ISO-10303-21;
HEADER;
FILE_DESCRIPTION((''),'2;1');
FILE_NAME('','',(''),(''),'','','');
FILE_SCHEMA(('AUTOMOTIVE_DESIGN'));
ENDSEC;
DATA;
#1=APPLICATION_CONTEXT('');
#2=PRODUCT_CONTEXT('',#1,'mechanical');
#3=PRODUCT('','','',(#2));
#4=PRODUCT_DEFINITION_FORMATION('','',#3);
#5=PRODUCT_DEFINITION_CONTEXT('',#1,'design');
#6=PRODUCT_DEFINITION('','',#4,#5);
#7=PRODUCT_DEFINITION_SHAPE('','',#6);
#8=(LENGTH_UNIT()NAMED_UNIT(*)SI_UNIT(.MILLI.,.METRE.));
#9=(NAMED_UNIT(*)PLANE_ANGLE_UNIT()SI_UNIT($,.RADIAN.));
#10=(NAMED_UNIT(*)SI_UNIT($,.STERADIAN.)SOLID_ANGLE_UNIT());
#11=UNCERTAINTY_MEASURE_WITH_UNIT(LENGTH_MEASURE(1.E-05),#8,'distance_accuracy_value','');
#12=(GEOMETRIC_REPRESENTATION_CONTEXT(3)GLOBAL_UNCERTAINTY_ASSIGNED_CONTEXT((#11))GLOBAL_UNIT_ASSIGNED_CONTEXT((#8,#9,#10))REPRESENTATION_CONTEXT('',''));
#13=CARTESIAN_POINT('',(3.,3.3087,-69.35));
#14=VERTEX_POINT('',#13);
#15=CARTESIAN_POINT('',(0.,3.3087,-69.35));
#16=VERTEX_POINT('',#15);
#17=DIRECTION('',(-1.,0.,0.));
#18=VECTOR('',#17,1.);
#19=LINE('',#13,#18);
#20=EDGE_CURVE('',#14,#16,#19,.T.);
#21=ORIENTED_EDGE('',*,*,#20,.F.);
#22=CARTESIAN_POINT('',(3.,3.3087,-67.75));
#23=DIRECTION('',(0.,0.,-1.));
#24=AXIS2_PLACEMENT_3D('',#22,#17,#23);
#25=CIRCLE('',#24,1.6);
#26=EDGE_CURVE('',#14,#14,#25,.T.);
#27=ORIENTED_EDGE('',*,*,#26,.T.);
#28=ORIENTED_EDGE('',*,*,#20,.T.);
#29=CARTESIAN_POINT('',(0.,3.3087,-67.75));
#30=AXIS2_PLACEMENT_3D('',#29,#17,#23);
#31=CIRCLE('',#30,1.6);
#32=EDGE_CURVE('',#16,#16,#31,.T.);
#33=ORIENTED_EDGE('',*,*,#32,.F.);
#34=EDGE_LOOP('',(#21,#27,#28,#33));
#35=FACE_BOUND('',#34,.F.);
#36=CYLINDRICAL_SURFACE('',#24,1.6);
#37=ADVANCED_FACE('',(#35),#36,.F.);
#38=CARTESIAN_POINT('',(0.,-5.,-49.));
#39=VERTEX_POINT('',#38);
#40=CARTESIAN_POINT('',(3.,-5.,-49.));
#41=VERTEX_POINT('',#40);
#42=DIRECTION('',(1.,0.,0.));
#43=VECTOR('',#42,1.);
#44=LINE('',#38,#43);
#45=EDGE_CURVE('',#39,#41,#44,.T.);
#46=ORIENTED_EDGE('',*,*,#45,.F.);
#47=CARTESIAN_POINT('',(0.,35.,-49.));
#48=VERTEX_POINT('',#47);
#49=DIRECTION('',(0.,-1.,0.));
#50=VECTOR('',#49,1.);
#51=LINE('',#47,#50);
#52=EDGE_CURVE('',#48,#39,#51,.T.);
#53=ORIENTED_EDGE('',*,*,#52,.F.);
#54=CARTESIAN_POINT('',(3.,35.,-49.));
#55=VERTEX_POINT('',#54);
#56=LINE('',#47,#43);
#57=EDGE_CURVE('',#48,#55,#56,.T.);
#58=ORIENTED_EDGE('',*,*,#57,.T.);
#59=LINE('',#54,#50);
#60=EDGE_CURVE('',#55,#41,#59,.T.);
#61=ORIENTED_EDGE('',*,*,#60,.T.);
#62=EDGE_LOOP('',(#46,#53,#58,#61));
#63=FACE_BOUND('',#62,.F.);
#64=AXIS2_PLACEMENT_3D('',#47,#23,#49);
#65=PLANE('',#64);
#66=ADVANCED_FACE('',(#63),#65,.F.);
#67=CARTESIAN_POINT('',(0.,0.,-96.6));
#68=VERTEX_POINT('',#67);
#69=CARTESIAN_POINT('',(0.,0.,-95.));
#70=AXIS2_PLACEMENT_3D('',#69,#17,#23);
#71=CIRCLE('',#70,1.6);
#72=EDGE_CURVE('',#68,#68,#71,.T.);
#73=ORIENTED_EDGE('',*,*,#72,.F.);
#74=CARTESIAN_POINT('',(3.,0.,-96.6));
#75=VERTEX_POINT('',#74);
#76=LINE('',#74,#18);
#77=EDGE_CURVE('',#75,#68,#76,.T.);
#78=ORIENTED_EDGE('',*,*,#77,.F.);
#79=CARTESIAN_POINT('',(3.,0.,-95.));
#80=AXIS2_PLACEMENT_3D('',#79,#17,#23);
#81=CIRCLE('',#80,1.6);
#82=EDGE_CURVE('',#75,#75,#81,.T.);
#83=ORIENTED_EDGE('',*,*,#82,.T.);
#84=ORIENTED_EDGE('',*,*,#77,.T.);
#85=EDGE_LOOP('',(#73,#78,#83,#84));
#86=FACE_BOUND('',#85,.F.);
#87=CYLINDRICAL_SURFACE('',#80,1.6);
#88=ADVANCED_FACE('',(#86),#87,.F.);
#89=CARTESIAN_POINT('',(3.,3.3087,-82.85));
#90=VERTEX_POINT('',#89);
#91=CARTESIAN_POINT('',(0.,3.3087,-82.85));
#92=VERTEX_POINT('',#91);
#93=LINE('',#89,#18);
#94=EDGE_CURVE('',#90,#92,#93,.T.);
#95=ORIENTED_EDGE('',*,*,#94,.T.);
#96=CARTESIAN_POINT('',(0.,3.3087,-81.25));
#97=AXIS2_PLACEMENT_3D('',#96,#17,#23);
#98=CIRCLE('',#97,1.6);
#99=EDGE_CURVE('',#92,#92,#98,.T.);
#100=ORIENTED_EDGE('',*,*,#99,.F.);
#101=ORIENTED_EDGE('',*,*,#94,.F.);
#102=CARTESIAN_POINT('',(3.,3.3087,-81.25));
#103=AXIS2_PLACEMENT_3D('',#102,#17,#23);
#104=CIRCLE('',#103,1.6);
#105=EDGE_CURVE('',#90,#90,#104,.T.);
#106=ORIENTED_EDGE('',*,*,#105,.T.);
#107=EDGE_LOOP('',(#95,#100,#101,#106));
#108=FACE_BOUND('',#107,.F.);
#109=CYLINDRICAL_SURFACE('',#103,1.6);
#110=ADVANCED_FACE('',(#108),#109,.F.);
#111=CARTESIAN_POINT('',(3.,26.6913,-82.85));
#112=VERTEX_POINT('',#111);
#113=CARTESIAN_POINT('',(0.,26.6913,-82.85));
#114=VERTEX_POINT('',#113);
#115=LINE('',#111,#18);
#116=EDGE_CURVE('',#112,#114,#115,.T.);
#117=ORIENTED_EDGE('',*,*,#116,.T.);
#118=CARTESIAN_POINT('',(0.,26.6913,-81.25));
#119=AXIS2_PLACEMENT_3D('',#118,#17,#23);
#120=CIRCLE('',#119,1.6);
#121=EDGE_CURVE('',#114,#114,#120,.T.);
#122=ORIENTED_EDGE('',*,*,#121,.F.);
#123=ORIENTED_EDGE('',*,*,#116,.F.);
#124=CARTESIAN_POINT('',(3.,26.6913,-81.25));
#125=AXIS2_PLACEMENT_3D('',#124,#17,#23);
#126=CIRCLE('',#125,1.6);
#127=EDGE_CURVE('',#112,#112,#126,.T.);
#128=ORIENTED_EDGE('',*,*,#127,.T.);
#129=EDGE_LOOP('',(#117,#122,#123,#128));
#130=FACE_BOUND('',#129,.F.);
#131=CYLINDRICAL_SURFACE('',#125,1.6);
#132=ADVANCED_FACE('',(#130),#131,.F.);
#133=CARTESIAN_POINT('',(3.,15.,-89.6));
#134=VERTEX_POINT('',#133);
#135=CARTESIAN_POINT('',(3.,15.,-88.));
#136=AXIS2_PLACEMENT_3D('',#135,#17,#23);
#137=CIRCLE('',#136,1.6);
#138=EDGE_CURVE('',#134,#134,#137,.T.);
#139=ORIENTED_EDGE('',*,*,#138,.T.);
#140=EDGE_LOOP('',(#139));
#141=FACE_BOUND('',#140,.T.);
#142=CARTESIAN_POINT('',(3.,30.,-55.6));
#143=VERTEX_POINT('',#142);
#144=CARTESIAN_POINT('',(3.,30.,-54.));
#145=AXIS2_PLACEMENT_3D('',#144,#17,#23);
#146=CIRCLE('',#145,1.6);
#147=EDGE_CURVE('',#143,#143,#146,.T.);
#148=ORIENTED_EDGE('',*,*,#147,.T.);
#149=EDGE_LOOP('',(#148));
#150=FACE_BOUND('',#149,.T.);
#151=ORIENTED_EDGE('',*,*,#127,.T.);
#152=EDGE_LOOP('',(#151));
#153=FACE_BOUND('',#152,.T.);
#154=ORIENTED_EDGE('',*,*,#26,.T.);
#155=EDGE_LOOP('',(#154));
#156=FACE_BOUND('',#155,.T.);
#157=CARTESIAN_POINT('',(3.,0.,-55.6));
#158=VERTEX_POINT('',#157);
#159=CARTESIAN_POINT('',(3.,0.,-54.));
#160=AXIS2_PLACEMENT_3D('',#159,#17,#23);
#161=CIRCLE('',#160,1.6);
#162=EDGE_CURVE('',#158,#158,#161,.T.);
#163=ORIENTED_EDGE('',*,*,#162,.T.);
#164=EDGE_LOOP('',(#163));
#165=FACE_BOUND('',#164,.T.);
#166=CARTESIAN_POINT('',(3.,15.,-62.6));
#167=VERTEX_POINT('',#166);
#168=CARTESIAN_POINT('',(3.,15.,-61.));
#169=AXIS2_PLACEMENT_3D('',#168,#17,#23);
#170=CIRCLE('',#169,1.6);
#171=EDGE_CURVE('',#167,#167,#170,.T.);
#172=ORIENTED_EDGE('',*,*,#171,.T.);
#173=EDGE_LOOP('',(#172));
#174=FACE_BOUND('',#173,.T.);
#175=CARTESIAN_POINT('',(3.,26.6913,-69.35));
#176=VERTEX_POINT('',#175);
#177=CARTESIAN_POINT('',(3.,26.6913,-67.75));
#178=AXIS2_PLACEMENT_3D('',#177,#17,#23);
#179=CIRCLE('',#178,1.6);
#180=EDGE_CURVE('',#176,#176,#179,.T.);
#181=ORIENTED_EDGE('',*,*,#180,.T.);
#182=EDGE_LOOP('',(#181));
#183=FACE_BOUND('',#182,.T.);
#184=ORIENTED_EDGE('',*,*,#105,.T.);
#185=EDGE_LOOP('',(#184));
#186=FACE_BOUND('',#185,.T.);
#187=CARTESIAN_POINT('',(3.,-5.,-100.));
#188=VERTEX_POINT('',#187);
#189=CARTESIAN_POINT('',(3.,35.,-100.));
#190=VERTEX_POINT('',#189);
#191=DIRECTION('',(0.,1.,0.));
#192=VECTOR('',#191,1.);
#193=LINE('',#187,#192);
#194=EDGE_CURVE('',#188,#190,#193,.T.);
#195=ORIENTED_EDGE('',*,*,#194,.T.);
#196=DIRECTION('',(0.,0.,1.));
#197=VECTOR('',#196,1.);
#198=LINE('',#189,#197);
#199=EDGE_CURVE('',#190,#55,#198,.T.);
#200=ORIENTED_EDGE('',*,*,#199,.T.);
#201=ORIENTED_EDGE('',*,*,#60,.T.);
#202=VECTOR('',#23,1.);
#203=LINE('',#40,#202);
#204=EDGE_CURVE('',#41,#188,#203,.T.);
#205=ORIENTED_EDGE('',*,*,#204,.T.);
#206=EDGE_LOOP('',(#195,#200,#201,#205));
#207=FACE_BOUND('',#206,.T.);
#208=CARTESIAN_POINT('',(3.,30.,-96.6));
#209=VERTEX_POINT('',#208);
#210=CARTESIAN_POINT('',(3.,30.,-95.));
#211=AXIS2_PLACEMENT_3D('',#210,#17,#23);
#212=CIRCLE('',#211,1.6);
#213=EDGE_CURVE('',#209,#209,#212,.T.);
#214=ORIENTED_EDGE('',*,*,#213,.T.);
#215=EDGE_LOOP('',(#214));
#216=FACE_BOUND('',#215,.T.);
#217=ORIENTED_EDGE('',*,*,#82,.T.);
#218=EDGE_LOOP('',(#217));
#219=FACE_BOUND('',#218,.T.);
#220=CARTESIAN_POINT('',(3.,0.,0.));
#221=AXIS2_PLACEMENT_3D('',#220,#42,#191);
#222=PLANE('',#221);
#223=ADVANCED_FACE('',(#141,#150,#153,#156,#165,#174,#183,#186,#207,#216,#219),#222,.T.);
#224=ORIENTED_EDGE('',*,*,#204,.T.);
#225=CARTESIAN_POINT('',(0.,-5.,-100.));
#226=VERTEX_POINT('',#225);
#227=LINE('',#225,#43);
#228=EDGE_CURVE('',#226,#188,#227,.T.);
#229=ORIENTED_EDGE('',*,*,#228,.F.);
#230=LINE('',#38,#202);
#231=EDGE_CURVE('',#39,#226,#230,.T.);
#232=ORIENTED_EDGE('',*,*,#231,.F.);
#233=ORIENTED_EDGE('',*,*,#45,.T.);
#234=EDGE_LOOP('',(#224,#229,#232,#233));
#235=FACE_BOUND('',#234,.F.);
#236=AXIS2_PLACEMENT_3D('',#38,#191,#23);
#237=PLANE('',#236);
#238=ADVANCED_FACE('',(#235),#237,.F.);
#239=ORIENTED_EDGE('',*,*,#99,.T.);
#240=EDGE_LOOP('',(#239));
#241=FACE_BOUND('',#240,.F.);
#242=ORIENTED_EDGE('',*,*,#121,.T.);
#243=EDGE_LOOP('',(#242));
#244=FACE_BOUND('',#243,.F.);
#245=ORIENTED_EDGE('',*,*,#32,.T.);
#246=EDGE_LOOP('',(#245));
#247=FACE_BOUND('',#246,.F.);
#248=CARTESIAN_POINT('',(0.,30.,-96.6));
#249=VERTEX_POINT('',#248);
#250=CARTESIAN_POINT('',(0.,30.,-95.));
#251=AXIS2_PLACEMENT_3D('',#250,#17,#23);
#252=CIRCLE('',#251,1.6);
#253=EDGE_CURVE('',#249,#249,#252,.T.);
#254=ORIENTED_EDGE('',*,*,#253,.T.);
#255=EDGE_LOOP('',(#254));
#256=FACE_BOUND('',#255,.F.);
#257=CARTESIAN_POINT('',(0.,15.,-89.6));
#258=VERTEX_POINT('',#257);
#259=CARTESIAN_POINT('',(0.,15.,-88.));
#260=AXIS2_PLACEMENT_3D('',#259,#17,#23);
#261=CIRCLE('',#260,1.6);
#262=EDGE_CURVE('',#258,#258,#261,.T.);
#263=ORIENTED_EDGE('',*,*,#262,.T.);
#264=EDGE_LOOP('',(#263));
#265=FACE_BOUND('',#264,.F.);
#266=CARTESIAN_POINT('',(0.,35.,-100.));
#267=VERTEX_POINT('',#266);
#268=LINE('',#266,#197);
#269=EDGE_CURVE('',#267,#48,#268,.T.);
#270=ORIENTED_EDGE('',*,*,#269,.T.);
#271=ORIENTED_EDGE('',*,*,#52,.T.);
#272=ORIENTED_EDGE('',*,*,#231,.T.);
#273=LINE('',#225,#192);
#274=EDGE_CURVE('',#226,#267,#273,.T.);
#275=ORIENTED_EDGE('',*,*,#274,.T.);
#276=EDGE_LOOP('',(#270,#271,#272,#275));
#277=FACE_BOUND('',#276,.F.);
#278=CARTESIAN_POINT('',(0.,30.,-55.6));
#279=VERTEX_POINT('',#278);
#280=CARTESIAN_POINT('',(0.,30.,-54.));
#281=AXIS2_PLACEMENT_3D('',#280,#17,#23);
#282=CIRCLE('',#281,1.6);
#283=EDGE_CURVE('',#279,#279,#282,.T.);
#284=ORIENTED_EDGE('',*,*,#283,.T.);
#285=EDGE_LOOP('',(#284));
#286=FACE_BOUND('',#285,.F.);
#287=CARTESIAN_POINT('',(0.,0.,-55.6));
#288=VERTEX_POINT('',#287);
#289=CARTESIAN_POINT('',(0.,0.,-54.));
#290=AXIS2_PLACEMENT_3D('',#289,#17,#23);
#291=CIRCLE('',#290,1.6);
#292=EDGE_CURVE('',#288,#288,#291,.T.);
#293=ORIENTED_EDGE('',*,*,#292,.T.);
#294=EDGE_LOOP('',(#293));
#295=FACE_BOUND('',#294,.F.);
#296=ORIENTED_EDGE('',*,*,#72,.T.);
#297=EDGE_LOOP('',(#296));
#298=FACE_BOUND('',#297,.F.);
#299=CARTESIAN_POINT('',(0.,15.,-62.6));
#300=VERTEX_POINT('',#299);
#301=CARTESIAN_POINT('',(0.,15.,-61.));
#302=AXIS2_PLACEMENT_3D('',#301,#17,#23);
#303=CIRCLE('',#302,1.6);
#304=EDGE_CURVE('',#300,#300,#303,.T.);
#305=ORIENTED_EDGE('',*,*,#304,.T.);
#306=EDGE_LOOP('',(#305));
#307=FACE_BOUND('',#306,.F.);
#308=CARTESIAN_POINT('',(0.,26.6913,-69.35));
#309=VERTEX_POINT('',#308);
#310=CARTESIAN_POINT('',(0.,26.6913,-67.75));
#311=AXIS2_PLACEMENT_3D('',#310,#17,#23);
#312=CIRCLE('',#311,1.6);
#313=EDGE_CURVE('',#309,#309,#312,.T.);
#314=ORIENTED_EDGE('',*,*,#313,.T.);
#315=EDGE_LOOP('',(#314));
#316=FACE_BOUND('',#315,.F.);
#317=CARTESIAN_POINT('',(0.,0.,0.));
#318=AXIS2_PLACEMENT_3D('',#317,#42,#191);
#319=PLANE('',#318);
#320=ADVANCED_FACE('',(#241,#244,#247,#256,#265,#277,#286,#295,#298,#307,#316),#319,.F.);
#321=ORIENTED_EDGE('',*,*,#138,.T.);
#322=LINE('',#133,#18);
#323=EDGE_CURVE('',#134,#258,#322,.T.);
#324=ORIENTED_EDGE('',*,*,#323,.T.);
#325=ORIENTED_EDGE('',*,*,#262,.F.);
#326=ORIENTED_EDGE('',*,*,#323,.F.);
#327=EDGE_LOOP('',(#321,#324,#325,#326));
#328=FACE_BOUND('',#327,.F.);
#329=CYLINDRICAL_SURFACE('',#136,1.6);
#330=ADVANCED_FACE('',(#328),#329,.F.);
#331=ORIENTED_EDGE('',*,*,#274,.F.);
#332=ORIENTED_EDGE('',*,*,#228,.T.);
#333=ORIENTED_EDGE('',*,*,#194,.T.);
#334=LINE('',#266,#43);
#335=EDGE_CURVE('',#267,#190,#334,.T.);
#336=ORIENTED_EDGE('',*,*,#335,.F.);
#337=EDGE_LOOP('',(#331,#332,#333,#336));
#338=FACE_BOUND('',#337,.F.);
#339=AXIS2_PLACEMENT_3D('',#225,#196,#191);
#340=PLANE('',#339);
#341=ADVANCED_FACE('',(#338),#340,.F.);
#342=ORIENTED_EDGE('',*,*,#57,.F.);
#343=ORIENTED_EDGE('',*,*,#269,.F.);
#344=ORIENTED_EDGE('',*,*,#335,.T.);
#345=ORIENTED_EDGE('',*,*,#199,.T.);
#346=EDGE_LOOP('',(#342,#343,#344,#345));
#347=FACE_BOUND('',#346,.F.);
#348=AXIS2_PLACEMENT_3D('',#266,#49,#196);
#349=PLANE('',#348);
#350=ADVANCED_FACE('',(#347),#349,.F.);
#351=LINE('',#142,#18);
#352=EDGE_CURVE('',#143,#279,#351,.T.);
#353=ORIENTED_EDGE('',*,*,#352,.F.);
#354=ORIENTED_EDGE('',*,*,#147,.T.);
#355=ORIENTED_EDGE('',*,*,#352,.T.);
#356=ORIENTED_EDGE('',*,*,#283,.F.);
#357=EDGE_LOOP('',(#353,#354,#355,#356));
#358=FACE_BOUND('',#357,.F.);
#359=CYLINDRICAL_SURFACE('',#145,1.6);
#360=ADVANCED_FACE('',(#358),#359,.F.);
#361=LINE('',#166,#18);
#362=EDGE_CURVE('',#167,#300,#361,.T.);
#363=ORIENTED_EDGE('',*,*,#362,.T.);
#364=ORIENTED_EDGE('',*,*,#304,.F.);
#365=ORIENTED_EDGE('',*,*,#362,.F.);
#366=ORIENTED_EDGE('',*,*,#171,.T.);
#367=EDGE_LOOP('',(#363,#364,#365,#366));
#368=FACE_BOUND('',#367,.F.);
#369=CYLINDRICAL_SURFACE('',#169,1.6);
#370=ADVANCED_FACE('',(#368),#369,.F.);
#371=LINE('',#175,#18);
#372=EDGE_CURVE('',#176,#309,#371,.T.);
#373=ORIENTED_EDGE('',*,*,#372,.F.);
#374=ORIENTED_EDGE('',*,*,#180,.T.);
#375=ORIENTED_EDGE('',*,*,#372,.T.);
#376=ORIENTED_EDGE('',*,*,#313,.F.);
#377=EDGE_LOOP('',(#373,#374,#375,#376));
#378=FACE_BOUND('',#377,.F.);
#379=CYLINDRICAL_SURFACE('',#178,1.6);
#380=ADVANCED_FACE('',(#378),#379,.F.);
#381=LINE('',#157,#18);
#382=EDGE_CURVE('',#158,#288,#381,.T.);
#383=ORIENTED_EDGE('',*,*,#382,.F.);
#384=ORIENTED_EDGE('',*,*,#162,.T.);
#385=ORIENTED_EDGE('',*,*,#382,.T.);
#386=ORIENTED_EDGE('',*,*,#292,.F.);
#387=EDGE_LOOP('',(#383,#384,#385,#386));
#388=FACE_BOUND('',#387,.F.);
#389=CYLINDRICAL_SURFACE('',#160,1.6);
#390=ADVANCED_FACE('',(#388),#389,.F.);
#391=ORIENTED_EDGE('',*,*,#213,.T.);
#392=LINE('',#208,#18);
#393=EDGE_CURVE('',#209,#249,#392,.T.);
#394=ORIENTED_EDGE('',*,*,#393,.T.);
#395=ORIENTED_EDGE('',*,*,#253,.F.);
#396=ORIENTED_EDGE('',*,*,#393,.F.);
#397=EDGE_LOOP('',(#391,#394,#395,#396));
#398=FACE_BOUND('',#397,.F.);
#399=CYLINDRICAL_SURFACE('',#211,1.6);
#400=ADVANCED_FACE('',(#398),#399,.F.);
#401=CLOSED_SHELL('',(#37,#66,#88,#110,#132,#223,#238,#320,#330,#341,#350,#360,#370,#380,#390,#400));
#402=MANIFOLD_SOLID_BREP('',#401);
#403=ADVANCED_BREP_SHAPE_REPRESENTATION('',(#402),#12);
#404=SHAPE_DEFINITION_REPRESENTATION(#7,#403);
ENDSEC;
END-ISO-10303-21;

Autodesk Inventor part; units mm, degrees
ref_plane "YZ Plane" through (0, 0, 0) normal (1, 0, 0) x (0, 1, 0)
ref_plane "XZ Plane" through (0, 0, 0) normal (0, 1, 0) x (-1, 0, 0)
ref_plane "XY Plane" through (0, 0, 0) normal (0, 0, 1) x (1, 0, 0)
sketch "スケッチ1" plane through (0, 0, 0) normal (1, 0, 0) x (0, 1, 0)
  line L0 (35, -49) -> (-5, -49)
  line L1 (-5, -49) -> (-5, -100)
  line L2 (-5, -100) -> (35, -100)
  line L3 (35, -100) -> (35, -49)
  dimension "d1" = 40
  dimension "d2" = 51
extrude "押し出し1" add sketch "スケッチ1" along normal blind 3
sketch "スケッチ4" plane through (3, 0, 0) normal (1, 0, 0) x (0, 0, -1)
  line L0 (54, 30) -> (95, 30)
  line L1 (95, 30) -> (95, 0)
  line L2 (95, 0) -> (54, 0)
  line L3 (54, 0) -> (54, 30)
  line L4 (100, 35) -> (49, 35) projected
  line L5 (100, -5) -> (100, 35) projected
  point P0 (0, 0)
  dimension "d29" = 41
  dimension "d30" = 30
  dimension "d31" = 5
  dimension "d32" = 5
hole "穴2" at (3, 30, -54) at (3, 0, -54) at (3, 0, -95) at (3, 30, -95) direction (-1, 0, 0) diameter 3.2 end through all
sketch "スケッチ6" plane through (3, 0, 0) normal (1, 0, 0) x (0, 0, -1)
  line L0 (49, 35) -> (49, -5) projected
  line L1 (49, 15) -> (100, 15)
  line L2 (100, -5) -> (100, 35) projected
  circle A0 centre (74.5, 15) radius 13.5
  point P0 (0, 0)
  point P1 (88, 15)
  point P2 (81.25, 26.6913)
  point P3 (67.75, 26.6913)
  point P4 (61, 15)
  point P5 (67.75, 3.3087)
  point P6 (81.25, 3.3087)
  dimension "d53" = 27
  dimension "d56" = 360
hole "穴4" at (3, 15, -88) at (3, 26.6913, -81.25) at (3, 26.6913, -67.75) at (3, 15, -61) at (3, 3.3087, -67.75) at (3, 3.3087, -81.25) direction (-1, 0, 0) diameter 3.2 end through all
properties part number "link5_plate2" material "アルミニウム 6061"
